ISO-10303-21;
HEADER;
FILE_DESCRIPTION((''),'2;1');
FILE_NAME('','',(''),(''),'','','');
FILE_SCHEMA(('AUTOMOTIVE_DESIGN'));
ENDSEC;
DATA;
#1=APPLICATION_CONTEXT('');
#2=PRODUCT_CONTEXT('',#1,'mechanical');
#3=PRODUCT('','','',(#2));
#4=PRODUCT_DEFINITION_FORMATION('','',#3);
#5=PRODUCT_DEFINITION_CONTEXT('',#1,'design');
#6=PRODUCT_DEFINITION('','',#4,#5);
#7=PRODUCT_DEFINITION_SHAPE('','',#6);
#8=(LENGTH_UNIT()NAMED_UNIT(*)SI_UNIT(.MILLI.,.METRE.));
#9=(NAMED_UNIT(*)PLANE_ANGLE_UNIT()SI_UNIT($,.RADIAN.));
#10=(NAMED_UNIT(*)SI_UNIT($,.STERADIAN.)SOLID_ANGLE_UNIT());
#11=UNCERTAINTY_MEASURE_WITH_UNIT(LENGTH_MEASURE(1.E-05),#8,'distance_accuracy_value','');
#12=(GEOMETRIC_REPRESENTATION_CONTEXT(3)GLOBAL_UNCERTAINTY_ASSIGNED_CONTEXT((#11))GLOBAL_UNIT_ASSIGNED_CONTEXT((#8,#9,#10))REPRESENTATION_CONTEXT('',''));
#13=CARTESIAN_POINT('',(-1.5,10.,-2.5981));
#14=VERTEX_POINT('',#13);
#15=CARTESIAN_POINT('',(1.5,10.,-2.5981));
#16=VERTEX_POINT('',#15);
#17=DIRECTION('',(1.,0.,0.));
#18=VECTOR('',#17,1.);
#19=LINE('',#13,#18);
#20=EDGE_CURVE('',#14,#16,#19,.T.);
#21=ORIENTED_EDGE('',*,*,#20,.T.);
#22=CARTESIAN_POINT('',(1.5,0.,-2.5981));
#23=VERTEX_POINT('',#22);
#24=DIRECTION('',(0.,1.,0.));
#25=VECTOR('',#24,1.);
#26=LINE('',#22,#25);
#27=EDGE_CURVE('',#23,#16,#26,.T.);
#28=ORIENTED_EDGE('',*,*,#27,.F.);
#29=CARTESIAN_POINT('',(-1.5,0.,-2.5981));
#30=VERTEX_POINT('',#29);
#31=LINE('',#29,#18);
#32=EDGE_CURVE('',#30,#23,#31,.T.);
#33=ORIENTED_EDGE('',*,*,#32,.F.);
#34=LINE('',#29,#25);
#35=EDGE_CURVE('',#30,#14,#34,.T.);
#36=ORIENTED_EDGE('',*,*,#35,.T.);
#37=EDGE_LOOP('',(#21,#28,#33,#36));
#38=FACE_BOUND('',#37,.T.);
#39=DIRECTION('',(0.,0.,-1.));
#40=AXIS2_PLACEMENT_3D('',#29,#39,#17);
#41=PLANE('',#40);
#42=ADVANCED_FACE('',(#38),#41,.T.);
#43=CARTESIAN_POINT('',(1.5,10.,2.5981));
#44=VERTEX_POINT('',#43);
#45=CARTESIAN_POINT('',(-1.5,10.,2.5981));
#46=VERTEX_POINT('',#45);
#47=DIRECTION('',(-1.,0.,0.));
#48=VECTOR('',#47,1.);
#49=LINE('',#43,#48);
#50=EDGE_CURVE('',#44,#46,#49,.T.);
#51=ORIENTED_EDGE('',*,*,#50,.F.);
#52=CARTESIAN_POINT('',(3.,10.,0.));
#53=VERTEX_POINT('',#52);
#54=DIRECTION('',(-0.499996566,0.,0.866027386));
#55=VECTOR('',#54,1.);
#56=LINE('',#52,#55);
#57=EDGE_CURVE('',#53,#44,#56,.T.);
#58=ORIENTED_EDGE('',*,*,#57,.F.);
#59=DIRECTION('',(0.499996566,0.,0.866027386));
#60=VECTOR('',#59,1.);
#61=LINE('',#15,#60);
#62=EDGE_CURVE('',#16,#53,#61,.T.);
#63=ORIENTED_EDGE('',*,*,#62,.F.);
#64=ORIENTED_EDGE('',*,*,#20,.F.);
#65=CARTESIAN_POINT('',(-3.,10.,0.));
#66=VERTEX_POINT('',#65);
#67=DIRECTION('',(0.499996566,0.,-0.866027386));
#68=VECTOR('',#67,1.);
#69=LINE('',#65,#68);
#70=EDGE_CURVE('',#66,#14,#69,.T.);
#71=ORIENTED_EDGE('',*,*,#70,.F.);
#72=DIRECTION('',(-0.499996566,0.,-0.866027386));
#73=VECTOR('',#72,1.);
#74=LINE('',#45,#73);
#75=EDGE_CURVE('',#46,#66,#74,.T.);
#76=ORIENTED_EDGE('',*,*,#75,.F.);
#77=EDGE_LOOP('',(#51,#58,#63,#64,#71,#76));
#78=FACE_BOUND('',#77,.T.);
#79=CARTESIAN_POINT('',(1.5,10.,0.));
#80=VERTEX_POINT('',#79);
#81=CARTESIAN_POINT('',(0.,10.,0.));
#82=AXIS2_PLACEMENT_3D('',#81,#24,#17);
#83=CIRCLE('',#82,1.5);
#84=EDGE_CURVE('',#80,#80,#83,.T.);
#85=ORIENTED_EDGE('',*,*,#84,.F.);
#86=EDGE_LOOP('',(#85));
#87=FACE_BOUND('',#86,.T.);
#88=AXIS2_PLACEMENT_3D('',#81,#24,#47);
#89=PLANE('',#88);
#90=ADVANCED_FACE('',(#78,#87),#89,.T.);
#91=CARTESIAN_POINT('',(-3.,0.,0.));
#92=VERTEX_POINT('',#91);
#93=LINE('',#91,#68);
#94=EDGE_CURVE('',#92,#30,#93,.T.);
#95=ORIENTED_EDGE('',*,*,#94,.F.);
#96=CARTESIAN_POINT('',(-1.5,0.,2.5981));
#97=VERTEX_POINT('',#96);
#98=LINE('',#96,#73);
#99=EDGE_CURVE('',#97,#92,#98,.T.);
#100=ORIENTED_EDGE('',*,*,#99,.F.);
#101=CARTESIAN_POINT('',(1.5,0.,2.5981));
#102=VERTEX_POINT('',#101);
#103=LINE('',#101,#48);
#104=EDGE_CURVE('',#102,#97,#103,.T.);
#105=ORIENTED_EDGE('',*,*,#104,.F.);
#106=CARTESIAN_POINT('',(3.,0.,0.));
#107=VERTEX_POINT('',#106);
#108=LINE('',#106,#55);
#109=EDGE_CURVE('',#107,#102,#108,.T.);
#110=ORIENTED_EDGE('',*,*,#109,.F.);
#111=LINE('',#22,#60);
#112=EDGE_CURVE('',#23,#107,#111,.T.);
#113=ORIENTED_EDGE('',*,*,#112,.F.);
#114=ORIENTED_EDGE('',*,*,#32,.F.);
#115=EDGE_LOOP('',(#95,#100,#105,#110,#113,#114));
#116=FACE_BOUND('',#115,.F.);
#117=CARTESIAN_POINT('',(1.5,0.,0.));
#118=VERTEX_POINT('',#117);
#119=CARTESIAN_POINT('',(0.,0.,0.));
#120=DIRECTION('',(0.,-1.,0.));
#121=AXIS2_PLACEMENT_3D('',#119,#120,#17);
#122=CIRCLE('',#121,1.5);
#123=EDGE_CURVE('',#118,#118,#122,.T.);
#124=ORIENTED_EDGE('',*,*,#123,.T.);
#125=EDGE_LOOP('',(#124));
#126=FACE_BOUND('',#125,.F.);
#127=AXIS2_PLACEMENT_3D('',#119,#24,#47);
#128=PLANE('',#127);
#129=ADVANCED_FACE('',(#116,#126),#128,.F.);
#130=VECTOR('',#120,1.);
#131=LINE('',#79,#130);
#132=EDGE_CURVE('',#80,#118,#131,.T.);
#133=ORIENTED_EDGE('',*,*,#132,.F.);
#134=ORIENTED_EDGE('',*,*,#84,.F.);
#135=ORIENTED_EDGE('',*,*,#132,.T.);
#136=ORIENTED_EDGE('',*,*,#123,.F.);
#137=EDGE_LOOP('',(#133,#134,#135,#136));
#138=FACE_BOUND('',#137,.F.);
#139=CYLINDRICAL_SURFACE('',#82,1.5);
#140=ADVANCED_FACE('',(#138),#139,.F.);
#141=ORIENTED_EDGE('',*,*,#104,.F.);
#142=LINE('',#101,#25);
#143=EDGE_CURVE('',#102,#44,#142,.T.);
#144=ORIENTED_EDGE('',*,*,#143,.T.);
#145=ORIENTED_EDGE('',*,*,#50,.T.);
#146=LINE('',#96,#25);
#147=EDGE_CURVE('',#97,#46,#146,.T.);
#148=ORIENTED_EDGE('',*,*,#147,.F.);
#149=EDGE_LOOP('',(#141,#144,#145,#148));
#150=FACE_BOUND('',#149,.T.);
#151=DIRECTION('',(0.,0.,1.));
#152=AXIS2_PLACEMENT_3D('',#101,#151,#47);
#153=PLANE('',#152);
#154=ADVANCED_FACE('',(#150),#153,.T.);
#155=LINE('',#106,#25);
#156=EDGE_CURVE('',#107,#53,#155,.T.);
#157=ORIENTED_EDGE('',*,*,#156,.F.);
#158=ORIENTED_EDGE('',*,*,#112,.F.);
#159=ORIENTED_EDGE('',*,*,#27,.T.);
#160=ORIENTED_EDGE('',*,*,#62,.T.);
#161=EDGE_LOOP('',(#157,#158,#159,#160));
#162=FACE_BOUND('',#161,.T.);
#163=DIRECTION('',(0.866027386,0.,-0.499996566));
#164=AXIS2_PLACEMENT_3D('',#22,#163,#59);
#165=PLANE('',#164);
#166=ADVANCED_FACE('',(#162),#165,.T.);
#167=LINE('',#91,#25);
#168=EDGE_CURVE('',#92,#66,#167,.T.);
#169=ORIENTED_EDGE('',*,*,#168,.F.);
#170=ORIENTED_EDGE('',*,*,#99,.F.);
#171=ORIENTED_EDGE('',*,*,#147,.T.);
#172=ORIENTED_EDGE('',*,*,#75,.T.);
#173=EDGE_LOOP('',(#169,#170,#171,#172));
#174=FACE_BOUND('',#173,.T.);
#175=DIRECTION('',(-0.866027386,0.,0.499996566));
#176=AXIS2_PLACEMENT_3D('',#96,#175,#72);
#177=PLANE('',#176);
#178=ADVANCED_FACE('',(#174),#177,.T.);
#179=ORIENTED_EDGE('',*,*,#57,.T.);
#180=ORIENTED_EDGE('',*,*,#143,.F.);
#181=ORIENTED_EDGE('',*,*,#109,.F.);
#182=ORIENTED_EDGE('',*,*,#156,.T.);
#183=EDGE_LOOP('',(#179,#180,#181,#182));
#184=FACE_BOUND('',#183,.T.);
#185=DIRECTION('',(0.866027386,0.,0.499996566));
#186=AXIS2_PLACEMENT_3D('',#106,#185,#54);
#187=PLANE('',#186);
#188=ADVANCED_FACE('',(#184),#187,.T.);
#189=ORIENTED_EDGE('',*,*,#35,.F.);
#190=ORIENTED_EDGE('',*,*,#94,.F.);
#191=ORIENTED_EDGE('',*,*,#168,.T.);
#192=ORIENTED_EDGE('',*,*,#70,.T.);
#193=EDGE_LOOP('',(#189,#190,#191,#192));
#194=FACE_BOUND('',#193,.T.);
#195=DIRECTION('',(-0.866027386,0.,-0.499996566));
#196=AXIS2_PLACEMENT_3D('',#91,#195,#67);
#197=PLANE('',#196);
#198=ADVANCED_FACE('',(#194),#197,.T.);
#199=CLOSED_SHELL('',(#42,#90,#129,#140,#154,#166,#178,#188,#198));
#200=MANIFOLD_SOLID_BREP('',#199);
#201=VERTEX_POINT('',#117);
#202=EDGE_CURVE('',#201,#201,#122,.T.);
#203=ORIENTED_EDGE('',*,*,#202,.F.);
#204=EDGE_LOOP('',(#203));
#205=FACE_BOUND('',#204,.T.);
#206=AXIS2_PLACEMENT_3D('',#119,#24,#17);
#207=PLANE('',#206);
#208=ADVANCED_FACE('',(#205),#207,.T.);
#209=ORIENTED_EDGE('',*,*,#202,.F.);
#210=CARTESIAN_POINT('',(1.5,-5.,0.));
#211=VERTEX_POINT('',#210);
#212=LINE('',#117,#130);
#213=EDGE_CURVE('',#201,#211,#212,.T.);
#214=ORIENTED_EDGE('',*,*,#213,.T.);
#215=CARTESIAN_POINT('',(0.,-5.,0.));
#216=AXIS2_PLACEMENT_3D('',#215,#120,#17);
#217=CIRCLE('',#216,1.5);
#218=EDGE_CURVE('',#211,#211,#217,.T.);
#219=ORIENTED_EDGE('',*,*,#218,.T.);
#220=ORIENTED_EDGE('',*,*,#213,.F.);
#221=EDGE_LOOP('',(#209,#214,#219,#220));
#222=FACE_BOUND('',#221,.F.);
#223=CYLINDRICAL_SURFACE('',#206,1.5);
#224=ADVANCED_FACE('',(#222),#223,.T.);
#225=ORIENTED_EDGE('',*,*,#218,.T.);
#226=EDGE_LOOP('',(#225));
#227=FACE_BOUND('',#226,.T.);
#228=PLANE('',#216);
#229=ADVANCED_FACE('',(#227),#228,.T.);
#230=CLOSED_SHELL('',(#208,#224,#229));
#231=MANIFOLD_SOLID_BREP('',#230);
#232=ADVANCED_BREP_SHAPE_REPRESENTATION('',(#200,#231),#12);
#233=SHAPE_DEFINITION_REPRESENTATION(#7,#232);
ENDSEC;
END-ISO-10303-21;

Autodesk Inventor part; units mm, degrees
ref_plane "YZ Plane" through (0, 0, 0) normal (1, 0, 0) x (0, 1, 0)
ref_plane "XZ Plane" through (0, 0, 0) normal (0, 1, 0) x (-1, 0, 0)
ref_plane "XY Plane" through (0, 0, 0) normal (0, 0, 1) x (1, 0, 0)
sketch "Sketch1" plane through (0, 0, 0) normal (0, 1, 0) x (-1, 0, 0)
  line L0 (-3, 0) -> (-1.5, 2.5981)
  line L1 (-1.5, 2.5981) -> (1.5, 2.5981)
  line L2 (1.5, 2.5981) -> (3, 0)
  line L3 (3, 0) -> (1.5, -2.5981)
  line L4 (1.5, -2.5981) -> (-1.5, -2.5981)
  line L5 (-1.5, -2.5981) -> (-3, 0)
  point P0 (0, 0)
  point P1 (0, 0)
  dimension "d0" = 6
sketch "Sketch2" plane through (0, 0, 0) normal (0, 1, 0) x (-1, 0, 0)
  point P0 (0, 0)
extrude "Extrusion1" add sketch "Sketch1" along normal blind 10
sketch "Sketch3" plane through (0, 0, 0) normal (0, -1, 0) x (1, 0, 0)
  circle A0 centre (0, 0) radius 1.5
  dimension "d3" = 3
sketch "Sketch4" plane through (0, 10, 0) normal (0, 1, 0) x (1, 0, 0)
  circle A0 centre (0, 0) radius 1.5
  dimension "d4" = 3
extrude "Extrusion2" add sketch "Sketch3" along normal blind 5
extrude "Extrusion3" cut sketch "Sketch4" against normal blind 10
properties part number "Spacer10mm" material "Brass, Soft Yellow"
